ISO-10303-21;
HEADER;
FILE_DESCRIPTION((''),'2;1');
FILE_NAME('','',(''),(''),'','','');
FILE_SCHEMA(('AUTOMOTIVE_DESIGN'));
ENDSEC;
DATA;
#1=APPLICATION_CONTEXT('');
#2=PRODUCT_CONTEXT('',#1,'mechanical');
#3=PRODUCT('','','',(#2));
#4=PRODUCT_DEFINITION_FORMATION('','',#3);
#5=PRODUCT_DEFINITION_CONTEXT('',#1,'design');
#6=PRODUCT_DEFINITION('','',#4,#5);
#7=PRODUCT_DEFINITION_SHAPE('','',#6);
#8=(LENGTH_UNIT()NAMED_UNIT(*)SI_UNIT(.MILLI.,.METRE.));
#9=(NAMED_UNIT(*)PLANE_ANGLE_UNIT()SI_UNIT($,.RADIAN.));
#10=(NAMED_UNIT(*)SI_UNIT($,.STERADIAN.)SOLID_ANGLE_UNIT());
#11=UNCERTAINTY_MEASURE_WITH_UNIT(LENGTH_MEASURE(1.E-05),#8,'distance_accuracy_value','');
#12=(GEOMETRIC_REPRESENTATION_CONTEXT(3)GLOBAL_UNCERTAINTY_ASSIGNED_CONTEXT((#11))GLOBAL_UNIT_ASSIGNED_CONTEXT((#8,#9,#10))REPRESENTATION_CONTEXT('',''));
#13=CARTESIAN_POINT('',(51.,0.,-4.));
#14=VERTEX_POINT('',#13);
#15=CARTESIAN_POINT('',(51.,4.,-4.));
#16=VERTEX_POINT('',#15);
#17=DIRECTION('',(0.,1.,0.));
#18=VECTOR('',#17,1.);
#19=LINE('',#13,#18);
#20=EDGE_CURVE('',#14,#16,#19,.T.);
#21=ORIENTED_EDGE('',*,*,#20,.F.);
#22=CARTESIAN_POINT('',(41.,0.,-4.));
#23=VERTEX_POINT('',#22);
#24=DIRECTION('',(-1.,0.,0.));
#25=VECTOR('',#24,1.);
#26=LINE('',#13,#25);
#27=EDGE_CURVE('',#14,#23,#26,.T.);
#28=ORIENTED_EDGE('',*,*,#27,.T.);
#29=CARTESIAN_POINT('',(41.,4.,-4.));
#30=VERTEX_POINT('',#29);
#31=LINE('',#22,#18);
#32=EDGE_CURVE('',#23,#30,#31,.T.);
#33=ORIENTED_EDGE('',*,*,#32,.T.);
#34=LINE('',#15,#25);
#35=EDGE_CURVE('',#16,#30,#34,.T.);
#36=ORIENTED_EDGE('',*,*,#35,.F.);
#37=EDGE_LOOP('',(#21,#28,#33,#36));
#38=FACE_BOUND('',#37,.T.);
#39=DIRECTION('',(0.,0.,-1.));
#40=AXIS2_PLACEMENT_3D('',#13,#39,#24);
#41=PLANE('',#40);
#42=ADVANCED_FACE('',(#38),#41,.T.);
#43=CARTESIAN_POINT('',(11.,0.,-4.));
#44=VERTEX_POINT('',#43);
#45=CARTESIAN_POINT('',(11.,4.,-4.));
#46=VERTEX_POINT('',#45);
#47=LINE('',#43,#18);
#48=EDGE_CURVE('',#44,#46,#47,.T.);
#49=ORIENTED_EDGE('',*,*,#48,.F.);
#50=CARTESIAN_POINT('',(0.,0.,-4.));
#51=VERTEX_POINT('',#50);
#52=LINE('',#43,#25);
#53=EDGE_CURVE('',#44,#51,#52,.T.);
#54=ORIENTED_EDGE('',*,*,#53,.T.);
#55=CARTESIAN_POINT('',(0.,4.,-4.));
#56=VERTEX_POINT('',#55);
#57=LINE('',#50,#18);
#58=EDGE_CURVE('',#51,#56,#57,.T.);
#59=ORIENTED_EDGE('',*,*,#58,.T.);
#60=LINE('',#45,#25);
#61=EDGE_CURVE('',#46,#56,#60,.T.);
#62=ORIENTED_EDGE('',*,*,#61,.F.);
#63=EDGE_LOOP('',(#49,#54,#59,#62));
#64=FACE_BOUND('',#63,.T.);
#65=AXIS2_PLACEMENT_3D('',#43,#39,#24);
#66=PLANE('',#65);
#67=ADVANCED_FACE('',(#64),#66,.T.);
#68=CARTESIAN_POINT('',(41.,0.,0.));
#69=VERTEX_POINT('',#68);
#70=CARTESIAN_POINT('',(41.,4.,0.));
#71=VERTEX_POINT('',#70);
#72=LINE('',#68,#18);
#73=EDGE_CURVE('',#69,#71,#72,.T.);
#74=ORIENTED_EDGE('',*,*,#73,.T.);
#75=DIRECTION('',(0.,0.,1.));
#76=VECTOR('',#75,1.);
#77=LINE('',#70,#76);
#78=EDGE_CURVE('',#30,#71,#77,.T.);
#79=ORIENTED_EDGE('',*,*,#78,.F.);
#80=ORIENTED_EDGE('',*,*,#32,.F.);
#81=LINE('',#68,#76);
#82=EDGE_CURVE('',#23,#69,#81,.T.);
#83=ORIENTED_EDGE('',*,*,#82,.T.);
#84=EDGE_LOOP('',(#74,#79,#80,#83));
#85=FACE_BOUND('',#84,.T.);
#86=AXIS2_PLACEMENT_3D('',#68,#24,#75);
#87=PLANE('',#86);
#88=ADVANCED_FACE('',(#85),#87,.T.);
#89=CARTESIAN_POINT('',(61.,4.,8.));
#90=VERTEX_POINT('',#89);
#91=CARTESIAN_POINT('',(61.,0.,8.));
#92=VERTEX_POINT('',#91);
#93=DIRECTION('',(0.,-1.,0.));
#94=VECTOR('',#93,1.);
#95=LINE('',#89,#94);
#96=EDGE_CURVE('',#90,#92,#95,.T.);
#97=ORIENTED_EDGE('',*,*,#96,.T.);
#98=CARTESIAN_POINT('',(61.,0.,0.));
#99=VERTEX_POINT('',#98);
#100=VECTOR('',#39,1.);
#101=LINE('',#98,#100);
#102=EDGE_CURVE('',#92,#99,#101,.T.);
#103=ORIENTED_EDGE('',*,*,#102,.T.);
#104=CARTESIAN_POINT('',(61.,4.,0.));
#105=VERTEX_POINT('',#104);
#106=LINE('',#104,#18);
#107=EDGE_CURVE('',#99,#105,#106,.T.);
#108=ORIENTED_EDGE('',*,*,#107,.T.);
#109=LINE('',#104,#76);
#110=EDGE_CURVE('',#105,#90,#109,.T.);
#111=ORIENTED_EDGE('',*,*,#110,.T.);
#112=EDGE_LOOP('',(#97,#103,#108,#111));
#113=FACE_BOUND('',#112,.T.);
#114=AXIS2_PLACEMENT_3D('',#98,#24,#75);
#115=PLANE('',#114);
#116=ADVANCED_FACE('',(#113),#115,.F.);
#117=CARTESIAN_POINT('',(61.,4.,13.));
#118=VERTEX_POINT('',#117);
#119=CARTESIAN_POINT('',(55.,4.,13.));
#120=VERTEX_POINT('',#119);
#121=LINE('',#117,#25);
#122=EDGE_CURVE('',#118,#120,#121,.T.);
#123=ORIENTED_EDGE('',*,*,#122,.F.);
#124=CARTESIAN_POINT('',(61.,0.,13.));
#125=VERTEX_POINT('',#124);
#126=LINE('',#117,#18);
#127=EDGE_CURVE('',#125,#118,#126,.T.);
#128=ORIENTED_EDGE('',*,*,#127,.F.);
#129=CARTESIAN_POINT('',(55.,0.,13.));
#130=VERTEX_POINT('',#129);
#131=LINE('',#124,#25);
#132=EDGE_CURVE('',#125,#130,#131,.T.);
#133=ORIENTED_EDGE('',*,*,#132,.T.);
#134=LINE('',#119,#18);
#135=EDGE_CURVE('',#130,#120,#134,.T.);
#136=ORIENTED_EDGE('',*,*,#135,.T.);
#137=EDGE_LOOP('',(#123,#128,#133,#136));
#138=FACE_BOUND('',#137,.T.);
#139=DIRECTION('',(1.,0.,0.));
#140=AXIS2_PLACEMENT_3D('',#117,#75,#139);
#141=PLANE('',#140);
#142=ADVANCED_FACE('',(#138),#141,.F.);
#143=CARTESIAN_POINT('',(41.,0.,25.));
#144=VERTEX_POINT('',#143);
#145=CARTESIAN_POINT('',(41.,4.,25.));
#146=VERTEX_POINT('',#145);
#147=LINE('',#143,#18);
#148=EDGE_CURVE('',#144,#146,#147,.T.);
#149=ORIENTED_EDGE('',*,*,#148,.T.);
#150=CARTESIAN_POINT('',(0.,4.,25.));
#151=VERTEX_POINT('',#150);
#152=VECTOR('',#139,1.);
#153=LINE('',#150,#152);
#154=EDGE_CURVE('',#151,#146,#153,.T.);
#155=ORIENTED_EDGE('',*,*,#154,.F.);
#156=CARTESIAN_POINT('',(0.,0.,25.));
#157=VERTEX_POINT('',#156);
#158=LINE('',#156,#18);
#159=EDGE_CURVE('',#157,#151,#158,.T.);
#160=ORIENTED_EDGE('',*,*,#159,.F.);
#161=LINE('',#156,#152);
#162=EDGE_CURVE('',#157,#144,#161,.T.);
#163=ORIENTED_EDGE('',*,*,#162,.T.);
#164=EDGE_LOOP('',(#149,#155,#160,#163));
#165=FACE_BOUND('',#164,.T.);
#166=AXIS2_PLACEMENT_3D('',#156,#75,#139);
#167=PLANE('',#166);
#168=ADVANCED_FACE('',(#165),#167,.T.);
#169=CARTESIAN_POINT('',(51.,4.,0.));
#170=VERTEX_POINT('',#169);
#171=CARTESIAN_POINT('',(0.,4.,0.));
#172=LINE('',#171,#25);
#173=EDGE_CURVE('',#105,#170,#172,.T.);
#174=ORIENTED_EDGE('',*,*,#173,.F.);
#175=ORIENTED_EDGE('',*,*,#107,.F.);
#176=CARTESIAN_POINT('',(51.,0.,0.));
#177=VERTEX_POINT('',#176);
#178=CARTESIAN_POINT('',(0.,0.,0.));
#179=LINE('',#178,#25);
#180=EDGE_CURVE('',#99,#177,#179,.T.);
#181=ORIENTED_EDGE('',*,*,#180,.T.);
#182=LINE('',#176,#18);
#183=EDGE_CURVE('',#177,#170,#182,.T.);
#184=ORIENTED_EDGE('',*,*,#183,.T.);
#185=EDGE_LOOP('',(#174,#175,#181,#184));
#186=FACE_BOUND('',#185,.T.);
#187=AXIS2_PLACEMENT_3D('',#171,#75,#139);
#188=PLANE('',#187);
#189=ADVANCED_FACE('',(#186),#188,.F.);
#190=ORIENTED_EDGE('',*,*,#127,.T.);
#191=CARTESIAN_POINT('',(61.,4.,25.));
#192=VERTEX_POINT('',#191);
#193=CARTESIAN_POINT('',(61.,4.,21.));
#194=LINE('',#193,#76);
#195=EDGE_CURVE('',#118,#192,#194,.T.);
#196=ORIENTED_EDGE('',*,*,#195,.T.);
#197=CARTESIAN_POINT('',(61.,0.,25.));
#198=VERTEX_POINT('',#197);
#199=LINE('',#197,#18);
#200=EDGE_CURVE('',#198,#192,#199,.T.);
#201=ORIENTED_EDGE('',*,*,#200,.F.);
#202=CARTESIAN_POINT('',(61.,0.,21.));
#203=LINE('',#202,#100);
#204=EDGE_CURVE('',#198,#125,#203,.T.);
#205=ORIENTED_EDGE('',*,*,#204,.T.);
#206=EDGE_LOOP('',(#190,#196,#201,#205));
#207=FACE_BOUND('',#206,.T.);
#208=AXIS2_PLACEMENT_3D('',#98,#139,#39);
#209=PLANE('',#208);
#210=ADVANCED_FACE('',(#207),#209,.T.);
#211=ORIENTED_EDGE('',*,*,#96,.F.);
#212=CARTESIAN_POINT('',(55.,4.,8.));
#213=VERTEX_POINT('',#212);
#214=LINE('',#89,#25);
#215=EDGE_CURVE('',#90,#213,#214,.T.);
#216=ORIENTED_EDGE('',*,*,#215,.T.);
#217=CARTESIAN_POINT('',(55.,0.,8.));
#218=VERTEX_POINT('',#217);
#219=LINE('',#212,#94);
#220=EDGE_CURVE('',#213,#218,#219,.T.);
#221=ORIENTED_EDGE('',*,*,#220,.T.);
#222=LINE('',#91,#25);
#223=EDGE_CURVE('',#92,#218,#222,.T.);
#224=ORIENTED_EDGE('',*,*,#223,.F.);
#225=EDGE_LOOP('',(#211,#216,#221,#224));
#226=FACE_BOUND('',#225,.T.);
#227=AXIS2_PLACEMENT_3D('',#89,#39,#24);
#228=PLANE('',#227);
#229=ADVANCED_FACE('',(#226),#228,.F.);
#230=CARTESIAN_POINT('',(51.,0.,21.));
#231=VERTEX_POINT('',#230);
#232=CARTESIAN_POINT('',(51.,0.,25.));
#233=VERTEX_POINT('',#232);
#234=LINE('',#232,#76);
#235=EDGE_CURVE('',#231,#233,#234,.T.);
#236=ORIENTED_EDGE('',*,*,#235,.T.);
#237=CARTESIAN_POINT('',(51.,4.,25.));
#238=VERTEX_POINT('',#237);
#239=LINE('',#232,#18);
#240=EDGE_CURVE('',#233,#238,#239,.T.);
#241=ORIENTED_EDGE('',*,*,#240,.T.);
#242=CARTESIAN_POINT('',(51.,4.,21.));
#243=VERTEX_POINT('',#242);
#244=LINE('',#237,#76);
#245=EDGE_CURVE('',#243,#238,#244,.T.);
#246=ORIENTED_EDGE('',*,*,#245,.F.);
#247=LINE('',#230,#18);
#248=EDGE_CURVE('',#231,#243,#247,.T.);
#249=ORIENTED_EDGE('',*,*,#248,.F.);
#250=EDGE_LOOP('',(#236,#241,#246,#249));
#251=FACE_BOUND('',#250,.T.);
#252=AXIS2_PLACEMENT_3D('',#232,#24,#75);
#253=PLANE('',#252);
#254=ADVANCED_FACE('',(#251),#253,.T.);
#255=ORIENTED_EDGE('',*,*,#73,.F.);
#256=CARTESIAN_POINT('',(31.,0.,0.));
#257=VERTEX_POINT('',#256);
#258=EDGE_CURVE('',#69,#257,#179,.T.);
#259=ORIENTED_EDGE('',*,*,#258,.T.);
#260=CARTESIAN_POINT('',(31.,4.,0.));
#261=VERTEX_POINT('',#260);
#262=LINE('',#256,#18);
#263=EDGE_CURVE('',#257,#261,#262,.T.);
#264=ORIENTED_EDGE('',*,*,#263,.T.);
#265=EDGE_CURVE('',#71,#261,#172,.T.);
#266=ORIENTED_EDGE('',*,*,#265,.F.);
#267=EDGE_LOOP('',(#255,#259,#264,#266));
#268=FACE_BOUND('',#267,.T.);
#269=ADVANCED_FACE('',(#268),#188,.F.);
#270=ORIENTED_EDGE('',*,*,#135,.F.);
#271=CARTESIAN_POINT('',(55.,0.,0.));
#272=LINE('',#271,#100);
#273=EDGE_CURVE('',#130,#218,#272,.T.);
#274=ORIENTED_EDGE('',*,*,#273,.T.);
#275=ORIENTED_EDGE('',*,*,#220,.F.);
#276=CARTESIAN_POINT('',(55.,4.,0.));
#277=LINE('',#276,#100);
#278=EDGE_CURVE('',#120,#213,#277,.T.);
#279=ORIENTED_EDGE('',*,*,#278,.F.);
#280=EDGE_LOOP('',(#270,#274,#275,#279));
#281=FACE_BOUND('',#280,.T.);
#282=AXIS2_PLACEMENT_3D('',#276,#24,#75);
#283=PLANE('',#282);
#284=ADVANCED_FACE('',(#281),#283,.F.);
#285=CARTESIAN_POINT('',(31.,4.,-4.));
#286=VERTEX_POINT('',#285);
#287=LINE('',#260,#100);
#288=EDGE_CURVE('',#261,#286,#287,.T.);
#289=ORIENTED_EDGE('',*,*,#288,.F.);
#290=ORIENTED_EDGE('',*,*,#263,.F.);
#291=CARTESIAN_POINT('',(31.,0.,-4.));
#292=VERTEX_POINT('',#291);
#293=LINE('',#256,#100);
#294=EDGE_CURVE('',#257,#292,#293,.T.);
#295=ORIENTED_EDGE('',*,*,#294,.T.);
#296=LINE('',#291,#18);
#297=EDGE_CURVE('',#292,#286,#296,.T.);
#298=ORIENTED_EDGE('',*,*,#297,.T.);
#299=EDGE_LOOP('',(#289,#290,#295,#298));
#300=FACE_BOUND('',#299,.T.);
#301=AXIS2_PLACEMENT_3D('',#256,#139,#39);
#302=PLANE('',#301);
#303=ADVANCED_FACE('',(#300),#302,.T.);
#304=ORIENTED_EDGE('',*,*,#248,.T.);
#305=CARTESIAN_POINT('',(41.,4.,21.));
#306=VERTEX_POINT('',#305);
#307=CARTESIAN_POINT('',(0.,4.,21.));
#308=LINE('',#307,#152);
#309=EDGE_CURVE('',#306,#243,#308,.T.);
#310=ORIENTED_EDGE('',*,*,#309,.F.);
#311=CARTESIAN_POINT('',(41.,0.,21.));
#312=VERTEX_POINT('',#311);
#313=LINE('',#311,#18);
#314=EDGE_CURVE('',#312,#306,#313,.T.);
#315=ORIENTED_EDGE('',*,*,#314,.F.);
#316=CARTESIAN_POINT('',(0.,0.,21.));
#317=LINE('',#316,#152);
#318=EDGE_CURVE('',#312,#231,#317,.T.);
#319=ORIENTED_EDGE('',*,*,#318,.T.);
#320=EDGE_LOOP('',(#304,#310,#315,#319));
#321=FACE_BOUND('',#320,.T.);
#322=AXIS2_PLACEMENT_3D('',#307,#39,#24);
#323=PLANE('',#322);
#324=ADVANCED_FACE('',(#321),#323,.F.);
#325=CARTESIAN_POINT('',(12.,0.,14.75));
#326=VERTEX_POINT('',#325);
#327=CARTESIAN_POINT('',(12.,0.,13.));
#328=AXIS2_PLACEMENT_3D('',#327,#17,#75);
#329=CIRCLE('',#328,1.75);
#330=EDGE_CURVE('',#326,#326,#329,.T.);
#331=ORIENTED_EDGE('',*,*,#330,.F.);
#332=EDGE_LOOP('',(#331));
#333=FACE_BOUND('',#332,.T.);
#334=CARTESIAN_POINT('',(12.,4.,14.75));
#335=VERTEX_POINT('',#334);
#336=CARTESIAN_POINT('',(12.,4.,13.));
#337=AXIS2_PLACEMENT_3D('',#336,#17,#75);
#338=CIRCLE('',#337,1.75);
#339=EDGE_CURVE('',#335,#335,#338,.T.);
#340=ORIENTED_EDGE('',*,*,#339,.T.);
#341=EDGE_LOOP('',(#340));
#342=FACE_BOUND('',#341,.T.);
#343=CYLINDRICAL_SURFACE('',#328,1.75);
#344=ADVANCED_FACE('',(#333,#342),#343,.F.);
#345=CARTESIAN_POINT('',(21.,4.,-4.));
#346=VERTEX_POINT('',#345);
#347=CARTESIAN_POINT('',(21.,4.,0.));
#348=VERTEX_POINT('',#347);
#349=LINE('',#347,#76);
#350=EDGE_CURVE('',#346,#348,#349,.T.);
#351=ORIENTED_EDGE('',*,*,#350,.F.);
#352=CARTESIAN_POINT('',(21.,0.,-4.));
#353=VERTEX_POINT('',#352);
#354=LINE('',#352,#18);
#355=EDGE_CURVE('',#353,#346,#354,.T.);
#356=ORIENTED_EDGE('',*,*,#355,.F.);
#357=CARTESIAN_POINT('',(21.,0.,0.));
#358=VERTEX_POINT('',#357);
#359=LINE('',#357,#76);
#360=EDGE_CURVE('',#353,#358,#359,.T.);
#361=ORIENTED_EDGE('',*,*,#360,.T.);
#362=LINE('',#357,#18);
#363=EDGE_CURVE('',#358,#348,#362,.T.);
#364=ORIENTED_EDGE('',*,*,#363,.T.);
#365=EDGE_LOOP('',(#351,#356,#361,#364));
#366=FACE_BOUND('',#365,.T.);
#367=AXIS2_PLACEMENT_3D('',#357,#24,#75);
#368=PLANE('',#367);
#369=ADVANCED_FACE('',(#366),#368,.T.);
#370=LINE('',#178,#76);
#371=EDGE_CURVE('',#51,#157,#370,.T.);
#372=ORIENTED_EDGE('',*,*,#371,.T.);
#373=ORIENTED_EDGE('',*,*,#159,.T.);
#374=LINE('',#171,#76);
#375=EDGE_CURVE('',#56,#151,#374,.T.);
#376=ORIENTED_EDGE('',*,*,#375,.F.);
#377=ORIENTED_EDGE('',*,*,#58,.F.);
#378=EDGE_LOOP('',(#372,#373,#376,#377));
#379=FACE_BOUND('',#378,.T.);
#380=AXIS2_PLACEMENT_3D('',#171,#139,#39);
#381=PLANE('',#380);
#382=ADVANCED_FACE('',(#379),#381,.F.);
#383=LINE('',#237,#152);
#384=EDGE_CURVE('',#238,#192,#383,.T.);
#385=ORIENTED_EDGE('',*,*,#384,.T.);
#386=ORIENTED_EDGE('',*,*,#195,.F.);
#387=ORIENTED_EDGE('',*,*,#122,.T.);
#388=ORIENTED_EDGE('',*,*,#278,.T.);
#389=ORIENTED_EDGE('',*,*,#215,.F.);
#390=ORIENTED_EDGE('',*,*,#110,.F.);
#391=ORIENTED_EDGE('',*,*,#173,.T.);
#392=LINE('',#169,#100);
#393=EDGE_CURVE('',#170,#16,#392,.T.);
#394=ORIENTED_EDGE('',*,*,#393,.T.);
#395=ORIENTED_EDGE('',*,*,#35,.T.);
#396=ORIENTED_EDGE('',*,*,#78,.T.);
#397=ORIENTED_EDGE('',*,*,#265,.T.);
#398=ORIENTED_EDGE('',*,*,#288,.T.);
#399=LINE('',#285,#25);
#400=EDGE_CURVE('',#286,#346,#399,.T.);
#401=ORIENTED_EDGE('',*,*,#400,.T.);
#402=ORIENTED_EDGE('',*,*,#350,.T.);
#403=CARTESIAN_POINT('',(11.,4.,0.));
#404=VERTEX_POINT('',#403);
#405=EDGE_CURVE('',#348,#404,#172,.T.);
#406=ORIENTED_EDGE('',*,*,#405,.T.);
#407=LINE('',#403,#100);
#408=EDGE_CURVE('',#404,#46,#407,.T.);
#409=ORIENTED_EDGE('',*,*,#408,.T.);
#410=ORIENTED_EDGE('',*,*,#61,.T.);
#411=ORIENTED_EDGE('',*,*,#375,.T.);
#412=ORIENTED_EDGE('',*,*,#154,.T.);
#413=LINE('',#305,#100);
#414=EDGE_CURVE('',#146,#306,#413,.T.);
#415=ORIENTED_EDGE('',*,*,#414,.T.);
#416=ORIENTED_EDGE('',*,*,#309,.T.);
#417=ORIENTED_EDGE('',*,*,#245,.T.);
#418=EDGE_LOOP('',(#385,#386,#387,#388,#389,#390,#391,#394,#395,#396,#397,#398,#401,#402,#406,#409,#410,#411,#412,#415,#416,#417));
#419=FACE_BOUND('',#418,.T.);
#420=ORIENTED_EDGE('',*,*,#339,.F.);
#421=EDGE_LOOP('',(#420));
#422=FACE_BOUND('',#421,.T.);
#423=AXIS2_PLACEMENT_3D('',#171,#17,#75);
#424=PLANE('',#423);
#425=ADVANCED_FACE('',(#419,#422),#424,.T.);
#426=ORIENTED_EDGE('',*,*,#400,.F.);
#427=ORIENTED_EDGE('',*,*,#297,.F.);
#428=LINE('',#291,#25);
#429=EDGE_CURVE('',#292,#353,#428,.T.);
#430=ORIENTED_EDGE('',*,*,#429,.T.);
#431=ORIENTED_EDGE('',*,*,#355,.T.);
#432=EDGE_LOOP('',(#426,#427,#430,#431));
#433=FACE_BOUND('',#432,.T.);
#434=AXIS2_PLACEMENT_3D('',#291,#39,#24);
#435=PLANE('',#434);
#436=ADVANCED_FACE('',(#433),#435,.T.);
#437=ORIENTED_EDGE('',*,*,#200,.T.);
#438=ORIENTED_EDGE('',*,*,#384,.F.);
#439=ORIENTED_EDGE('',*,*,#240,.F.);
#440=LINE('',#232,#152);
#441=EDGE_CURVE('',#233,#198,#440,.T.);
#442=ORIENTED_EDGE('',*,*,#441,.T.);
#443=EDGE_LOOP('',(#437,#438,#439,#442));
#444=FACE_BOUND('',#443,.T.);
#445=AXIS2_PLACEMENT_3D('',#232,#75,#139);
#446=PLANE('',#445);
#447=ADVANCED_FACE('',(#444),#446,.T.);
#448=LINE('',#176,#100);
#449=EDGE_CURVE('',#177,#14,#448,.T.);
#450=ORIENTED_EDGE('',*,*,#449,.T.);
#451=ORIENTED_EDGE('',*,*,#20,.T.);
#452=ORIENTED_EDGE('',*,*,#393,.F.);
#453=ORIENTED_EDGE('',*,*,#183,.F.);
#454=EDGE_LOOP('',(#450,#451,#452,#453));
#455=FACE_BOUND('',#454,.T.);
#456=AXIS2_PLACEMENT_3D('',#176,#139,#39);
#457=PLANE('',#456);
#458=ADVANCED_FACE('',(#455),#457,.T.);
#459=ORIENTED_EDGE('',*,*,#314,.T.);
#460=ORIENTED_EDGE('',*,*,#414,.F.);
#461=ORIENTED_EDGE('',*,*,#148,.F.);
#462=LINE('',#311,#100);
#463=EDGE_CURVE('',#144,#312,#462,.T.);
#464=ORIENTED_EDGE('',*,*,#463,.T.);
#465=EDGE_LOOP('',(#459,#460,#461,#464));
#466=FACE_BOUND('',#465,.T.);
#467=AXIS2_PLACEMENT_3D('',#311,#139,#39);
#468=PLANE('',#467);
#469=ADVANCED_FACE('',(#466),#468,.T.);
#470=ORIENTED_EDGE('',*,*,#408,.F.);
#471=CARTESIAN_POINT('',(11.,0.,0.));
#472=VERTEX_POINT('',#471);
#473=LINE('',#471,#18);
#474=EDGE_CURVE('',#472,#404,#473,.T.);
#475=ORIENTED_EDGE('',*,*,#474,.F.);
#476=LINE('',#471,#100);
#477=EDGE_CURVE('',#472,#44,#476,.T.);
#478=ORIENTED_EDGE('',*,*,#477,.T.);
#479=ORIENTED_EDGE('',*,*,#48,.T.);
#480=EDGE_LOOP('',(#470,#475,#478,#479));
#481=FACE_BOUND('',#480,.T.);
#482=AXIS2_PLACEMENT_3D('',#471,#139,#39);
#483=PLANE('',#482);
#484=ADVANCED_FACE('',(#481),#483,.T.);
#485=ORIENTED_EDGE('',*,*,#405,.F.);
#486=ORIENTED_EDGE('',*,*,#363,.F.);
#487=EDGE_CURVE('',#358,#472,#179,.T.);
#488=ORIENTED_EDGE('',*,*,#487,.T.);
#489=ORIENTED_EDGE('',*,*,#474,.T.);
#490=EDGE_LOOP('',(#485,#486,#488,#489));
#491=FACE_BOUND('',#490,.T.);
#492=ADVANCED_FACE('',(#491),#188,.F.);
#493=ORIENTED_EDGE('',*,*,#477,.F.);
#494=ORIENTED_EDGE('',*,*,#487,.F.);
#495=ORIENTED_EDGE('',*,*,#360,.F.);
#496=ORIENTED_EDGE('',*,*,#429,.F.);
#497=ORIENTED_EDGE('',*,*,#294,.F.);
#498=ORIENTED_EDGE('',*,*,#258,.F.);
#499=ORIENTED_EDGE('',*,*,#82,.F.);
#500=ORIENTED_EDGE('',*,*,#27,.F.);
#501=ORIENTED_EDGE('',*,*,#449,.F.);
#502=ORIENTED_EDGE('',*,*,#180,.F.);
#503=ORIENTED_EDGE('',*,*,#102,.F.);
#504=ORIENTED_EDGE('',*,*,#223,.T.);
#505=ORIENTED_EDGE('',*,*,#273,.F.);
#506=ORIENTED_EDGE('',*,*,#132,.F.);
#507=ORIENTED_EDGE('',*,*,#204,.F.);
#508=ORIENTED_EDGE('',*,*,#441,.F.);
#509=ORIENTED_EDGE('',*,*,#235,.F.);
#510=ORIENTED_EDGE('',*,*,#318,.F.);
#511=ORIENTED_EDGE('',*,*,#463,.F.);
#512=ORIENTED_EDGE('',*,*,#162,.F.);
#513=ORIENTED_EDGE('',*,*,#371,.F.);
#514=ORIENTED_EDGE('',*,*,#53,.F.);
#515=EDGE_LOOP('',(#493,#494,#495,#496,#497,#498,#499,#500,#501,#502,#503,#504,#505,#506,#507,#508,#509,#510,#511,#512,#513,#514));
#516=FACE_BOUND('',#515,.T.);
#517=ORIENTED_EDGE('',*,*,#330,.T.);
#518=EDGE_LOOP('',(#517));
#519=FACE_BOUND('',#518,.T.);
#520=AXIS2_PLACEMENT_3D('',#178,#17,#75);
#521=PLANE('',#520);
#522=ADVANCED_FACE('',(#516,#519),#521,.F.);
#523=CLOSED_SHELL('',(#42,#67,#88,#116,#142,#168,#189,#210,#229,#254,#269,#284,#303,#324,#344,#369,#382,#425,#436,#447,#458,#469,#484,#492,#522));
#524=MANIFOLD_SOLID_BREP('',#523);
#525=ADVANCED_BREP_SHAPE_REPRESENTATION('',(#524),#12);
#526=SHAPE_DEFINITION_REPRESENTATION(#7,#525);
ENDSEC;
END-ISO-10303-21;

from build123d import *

# Parameters (mm, degrees)
SKETCH1_W           = 55
SKETCH1_H           = 21
BOSS_EXTRUDE1_DEPTH = 4
SKETCH2_W           = 8
SKETCH2_H           = 4
BOSS_EXTRUDE2_DEPTH = 6
SKETCH3_W           = 10
SKETCH3_H           = 4
BOSS_EXTRUDE3_DEPTH = 4
LPATTERN1_COUNT     = 3
LPATTERN1_PITCH     = 20
SKETCH4_W           = 1
SKETCH4_H           = 4
BOSS_EXTRUDE4_DEPTH = 4
SKETCH5_W           = 41
SKETCH5_H           = 4
SKETCH5_W_2         = 10
BOSS_EXTRUDE5_DEPTH = 4
SKETCH6_R           = 1.75
CUT_EXTRUDE1_DEPTH  = 67.045438904


with BuildPart() as part:
    # Sketch1 → Boss-Extrude1 (new body)
    with BuildSketch(Plane(origin=(0, 0, 0), x_dir=(1, 0, 0), z_dir=(0, 1, 0))):
        with Locations((27.5, -10.5)):
            Rectangle(SKETCH1_W, SKETCH1_H)
    extrude(amount=BOSS_EXTRUDE1_DEPTH)

    # Sketch2 → Boss-Extrude2 (add)
    with BuildSketch(Plane(origin=(55, 0, 0), x_dir=(0, 0, -1), z_dir=(1, 0, 0))):
        with Locations((-17, 2)):
            Rectangle(SKETCH2_W, SKETCH2_H)
        with Locations((-4, 2)):
            Rectangle(SKETCH2_W, SKETCH2_H)
    extrude(amount=BOSS_EXTRUDE2_DEPTH)

    # Sketch3 → Boss-Extrude3 (add, through all)
    with BuildSketch(Plane(origin=(0, 4, 0), x_dir=(1, 0, 0), z_dir=(0, 1, 0))):
        with Locations((46, 2)):
            Rectangle(SKETCH3_W, SKETCH3_H)
    boss_extrude3 = extrude(amount=-BOSS_EXTRUDE3_DEPTH)

    # LPattern1: Boss-Extrude3 ×3
    with Locations(*[(-i * LPATTERN1_PITCH, 0, 0) for i in range(1, LPATTERN1_COUNT)]):
        add(boss_extrude3)

    # Sketch4 → Boss-Extrude4 (add, through all)
    with BuildSketch(Plane(origin=(0, 4, 0), x_dir=(1, 0, 0), z_dir=(0, 1, 0))):
        with Locations((0.5, 2)):
            Rectangle(SKETCH4_W, SKETCH4_H)
    extrude(amount=-BOSS_EXTRUDE4_DEPTH)

    # Sketch5 → Boss-Extrude5 (add, through all)
    with BuildSketch(Plane(origin=(0, 4, 0), x_dir=(1, 0, 0), z_dir=(0, 1, 0))):
        with Locations((20.5, -23)):
            Rectangle(SKETCH5_W, SKETCH5_H)
        with Locations((56, -23)):
            Rectangle(SKETCH5_W_2, SKETCH5_H)
    extrude(amount=-BOSS_EXTRUDE5_DEPTH)

    # Sketch6 → Cut-Extrude1 (cut, through all)
    with BuildSketch(Plane(origin=(0, 4, 0), x_dir=(1, 0, 0), z_dir=(0, 1, 0))):
        with Locations(Location((12, -13, 0), (0, 0, 270))):
            Circle(SKETCH6_R)
    extrude(amount=-CUT_EXTRUDE1_DEPTH, mode=Mode.SUBTRACT)


solid = part.part
